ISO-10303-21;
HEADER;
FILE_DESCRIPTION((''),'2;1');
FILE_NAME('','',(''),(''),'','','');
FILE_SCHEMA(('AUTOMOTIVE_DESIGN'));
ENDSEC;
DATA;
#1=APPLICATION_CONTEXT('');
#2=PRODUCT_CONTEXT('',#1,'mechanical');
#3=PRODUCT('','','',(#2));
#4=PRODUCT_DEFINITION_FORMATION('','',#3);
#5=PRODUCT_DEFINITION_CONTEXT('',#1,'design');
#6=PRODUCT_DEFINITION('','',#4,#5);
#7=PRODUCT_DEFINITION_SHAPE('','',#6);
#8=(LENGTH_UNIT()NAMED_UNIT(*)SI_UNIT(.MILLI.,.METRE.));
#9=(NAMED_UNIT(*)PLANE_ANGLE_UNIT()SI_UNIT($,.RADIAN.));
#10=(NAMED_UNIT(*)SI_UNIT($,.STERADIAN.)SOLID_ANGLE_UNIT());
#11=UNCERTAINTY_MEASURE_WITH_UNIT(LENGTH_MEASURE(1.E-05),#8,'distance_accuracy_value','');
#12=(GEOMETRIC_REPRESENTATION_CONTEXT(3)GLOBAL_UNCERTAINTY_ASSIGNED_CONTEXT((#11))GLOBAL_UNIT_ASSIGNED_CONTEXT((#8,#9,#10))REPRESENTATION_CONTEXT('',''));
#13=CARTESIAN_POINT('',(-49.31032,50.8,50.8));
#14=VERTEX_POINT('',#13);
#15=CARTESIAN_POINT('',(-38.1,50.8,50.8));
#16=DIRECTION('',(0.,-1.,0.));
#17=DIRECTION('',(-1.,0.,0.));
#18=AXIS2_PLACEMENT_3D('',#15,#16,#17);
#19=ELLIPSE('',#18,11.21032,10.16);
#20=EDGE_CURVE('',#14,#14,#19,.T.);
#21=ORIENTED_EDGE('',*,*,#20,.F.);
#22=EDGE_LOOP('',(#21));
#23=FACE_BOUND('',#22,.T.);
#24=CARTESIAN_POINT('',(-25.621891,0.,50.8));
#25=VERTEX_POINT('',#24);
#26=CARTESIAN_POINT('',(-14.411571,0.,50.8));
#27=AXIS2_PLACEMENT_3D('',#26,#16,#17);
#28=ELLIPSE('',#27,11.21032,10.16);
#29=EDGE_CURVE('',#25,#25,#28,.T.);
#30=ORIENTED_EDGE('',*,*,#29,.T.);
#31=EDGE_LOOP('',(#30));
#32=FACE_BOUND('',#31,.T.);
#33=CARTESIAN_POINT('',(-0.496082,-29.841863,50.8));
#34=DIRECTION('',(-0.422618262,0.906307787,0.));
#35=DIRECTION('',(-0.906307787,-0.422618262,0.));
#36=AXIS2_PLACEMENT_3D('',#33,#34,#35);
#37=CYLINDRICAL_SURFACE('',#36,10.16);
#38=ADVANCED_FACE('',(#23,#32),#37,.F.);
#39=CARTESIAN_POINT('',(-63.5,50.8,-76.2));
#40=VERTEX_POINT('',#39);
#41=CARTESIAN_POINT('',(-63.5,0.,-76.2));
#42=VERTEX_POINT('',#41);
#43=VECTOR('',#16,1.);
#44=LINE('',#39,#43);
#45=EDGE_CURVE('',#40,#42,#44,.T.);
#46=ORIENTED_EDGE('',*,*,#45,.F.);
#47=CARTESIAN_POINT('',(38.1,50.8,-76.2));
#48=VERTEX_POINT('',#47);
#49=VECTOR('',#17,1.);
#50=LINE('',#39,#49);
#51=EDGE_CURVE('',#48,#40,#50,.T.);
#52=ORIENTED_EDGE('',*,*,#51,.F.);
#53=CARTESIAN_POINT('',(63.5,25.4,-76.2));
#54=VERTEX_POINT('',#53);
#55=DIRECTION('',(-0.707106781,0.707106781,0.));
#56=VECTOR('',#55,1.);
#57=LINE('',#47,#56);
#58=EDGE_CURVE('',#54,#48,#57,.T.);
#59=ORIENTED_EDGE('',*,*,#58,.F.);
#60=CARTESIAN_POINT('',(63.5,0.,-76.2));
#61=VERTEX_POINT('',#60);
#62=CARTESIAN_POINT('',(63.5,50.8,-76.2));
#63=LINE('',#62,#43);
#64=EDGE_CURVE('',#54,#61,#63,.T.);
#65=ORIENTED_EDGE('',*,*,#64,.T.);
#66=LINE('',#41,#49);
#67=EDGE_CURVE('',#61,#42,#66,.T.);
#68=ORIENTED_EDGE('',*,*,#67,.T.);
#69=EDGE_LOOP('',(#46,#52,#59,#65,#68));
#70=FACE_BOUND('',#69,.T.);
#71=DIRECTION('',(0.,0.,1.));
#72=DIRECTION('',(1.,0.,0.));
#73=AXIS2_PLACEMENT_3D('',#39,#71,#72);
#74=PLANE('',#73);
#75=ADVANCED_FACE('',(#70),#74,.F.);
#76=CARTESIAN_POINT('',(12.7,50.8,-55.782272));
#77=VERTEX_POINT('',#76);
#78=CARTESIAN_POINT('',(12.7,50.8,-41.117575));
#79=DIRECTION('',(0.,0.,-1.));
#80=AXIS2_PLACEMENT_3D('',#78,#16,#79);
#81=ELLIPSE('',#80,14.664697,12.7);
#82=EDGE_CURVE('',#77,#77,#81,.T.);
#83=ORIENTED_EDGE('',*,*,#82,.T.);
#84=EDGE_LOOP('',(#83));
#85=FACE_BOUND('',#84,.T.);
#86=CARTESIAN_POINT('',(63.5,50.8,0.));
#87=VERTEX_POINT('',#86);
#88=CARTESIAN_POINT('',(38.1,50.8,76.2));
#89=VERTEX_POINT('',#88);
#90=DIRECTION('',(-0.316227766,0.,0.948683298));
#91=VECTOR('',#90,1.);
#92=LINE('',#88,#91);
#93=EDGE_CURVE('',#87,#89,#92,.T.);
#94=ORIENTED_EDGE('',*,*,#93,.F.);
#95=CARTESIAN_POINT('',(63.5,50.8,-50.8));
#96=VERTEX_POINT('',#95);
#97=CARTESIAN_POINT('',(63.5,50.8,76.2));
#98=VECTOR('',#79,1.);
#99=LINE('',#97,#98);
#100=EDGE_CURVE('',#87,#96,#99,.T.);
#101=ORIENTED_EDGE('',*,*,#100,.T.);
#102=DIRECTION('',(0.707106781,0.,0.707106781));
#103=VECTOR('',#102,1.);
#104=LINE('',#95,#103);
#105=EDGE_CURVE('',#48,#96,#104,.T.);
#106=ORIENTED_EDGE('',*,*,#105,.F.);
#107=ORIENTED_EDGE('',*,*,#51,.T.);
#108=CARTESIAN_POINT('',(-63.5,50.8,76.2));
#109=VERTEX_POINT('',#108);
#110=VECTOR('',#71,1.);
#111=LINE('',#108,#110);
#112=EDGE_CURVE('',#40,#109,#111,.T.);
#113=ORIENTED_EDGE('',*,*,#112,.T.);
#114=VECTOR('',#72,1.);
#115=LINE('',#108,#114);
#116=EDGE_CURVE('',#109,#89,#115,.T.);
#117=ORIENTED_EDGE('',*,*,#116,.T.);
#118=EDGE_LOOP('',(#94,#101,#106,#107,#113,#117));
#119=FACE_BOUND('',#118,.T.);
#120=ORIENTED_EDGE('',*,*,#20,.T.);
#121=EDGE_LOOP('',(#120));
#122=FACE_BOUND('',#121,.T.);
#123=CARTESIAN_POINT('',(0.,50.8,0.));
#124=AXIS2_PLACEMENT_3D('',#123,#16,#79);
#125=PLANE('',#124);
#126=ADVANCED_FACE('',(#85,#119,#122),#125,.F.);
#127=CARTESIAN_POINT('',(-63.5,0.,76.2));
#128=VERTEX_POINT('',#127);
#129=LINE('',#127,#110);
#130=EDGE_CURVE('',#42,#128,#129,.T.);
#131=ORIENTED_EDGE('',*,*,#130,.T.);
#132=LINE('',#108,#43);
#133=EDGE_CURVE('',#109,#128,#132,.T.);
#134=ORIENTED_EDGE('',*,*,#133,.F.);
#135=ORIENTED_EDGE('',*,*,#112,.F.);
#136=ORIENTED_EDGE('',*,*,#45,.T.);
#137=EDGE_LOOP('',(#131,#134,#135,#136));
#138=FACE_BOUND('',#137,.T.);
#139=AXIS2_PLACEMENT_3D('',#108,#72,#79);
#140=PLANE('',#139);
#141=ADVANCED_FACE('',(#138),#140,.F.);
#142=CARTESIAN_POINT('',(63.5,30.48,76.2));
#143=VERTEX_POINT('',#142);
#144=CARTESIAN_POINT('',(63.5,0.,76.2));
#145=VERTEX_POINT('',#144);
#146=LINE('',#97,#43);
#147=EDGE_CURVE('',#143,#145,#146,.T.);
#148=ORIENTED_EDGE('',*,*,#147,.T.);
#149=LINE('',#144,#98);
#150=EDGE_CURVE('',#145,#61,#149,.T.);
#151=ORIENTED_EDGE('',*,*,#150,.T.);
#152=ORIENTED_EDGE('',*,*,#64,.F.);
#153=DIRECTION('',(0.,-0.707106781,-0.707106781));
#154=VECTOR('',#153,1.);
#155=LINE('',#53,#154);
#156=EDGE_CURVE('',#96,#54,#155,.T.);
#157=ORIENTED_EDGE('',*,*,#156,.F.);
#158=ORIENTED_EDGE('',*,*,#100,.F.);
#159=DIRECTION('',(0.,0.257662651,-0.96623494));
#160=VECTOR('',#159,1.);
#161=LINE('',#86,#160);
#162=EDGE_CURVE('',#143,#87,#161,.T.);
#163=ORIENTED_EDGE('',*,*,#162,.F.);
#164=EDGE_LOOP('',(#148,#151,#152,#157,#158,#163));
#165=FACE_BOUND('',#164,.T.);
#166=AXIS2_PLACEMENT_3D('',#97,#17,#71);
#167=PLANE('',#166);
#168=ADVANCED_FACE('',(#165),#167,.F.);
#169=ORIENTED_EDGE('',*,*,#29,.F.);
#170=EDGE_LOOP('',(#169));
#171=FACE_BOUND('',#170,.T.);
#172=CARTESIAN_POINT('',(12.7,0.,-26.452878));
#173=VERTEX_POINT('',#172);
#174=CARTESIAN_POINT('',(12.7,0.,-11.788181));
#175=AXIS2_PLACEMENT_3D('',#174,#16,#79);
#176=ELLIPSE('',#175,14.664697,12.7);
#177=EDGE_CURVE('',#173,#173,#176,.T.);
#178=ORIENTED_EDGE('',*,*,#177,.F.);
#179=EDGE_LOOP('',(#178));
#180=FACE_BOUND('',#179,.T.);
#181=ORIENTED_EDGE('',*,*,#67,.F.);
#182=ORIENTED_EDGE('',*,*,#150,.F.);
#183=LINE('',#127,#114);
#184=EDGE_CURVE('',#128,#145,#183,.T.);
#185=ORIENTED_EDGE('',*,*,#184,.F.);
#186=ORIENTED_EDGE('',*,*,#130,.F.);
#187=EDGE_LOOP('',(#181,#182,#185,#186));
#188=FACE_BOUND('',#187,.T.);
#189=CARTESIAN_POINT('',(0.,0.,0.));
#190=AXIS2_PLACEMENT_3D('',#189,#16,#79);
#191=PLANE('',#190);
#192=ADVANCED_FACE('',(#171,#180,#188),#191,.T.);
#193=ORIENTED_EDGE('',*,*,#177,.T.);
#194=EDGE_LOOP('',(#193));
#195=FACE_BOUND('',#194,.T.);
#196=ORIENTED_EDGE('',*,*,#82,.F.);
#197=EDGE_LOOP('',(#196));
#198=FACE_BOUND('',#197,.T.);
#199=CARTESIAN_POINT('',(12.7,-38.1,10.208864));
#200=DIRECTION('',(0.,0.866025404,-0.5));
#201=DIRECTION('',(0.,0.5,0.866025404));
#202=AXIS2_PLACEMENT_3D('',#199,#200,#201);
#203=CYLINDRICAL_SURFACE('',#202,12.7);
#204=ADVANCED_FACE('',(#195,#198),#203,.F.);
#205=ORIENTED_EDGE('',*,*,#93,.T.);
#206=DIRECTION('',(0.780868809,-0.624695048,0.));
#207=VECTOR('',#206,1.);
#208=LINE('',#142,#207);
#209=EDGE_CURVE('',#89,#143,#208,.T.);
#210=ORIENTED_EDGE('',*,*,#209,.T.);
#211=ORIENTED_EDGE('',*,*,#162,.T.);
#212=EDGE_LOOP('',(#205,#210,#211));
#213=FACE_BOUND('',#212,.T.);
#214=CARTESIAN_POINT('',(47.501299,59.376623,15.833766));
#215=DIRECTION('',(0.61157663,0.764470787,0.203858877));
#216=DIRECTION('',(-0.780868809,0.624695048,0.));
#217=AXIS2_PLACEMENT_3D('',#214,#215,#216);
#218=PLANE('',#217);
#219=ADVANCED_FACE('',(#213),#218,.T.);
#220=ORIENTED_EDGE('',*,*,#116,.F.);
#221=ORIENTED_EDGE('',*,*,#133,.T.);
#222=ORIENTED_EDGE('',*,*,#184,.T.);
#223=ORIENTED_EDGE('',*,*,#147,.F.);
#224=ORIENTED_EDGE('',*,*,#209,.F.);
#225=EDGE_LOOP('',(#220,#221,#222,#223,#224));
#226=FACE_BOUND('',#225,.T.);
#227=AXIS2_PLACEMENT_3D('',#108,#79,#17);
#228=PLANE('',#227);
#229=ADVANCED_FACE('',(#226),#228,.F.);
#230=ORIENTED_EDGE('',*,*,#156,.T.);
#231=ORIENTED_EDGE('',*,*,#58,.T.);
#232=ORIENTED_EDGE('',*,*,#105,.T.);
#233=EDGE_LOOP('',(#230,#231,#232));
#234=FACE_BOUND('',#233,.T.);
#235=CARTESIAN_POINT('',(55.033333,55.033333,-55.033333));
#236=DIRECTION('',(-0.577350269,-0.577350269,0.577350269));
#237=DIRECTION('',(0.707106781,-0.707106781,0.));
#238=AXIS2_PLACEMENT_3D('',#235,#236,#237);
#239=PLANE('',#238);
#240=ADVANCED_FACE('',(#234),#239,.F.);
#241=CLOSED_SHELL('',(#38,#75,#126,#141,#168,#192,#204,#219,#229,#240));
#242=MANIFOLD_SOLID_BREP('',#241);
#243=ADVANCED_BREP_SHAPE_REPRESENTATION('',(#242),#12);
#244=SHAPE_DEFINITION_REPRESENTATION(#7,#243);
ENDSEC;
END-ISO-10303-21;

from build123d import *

# Parameters (mm, degrees)
SKETCH1_W           = 127
SKETCH1_H           = 152.4
BOSS_EXTRUDE1_DEPTH = 50.8
CUT_EXTRUDE1_DEPTH  = 156.939365922
CUT_EXTRUDE2_DEPTH  = 186.205309499
SKETCH6_R           = 10.16
CUT_EXTRUDE3_DEPTH  = 139.062227017
SKETCH7_R           = 12.7
CUT_EXTRUDE4_DEPTH  = 152.108237347


with BuildPart() as part:
    # Sketch1 → Boss-Extrude1 (new body)
    with BuildSketch(Plane(origin=(0, 0, 0), x_dir=(1, 0, 0), z_dir=(0, 1, 0))):
        Rectangle(SKETCH1_W, SKETCH1_H)
    extrude(amount=BOSS_EXTRUDE1_DEPTH)

    # Sketch3 → Cut-Extrude1 (cut, through all)
    with BuildSketch(Plane(origin=(47.501298701, 59.376623377, 15.833766234), x_dir=(0.7911852033335974, -0.5909267078840147, -0.1575804554357373), z_dir=(0.6115766297251508, 0.7644707871564383, 0.20385887657505028))):
        Polygon((-11.882551218, -60.537839749), (20.221183651, 13.089262648), (20.221183651, -65.773544809), align=None)
    extrude(amount=CUT_EXTRUDE1_DEPTH, mode=Mode.SUBTRACT)

    # Sketch4 → Cut-Extrude2 (cut, through all)
    with BuildSketch(Plane(origin=(55.033333333, 55.033333333, -55.033333333), x_dir=(0.816496580927726, -0.40824829046386363, 0.40824829046386246), z_dir=(0.5773502691896258, 0.577350269189627, -0.5773502691896246))):
        Polygon((-20.739013156, 17.960512242), (10.369506578, 35.921024484), (10.369506578, 0), align=None)
    extrude(amount=CUT_EXTRUDE2_DEPTH, mode=Mode.SUBTRACT)

    # Sketch6 → Cut-Extrude3 (cut, through all)
    with BuildSketch(Plane(origin=(-30.799022248, 66.048716355, 0), x_dir=(0, 0, 1), z_dir=(-0.4226182617407003, 0.9063077870366496, 0))):
        with Locations(Location((50.8, -13.06131899, 0), (0, 0, 270))):
            Circle(SKETCH6_R)
    extrude(amount=-CUT_EXTRUDE3_DEPTH, mode=Mode.SUBTRACT)

    # Sketch7 → Cut-Extrude4 (cut, through all)
    with BuildSketch(Plane(origin=(0, 71.095567884, -41.047045256), x_dir=(-1, 0, 0), z_dir=(0, 0.866025403784438, -0.500000000000001))):
        with Locations(Location((-12.7, -10.208864232, 0), (0, 0, 270))):
            Circle(SKETCH7_R)
    extrude(amount=-CUT_EXTRUDE4_DEPTH, mode=Mode.SUBTRACT)


solid = part.part
